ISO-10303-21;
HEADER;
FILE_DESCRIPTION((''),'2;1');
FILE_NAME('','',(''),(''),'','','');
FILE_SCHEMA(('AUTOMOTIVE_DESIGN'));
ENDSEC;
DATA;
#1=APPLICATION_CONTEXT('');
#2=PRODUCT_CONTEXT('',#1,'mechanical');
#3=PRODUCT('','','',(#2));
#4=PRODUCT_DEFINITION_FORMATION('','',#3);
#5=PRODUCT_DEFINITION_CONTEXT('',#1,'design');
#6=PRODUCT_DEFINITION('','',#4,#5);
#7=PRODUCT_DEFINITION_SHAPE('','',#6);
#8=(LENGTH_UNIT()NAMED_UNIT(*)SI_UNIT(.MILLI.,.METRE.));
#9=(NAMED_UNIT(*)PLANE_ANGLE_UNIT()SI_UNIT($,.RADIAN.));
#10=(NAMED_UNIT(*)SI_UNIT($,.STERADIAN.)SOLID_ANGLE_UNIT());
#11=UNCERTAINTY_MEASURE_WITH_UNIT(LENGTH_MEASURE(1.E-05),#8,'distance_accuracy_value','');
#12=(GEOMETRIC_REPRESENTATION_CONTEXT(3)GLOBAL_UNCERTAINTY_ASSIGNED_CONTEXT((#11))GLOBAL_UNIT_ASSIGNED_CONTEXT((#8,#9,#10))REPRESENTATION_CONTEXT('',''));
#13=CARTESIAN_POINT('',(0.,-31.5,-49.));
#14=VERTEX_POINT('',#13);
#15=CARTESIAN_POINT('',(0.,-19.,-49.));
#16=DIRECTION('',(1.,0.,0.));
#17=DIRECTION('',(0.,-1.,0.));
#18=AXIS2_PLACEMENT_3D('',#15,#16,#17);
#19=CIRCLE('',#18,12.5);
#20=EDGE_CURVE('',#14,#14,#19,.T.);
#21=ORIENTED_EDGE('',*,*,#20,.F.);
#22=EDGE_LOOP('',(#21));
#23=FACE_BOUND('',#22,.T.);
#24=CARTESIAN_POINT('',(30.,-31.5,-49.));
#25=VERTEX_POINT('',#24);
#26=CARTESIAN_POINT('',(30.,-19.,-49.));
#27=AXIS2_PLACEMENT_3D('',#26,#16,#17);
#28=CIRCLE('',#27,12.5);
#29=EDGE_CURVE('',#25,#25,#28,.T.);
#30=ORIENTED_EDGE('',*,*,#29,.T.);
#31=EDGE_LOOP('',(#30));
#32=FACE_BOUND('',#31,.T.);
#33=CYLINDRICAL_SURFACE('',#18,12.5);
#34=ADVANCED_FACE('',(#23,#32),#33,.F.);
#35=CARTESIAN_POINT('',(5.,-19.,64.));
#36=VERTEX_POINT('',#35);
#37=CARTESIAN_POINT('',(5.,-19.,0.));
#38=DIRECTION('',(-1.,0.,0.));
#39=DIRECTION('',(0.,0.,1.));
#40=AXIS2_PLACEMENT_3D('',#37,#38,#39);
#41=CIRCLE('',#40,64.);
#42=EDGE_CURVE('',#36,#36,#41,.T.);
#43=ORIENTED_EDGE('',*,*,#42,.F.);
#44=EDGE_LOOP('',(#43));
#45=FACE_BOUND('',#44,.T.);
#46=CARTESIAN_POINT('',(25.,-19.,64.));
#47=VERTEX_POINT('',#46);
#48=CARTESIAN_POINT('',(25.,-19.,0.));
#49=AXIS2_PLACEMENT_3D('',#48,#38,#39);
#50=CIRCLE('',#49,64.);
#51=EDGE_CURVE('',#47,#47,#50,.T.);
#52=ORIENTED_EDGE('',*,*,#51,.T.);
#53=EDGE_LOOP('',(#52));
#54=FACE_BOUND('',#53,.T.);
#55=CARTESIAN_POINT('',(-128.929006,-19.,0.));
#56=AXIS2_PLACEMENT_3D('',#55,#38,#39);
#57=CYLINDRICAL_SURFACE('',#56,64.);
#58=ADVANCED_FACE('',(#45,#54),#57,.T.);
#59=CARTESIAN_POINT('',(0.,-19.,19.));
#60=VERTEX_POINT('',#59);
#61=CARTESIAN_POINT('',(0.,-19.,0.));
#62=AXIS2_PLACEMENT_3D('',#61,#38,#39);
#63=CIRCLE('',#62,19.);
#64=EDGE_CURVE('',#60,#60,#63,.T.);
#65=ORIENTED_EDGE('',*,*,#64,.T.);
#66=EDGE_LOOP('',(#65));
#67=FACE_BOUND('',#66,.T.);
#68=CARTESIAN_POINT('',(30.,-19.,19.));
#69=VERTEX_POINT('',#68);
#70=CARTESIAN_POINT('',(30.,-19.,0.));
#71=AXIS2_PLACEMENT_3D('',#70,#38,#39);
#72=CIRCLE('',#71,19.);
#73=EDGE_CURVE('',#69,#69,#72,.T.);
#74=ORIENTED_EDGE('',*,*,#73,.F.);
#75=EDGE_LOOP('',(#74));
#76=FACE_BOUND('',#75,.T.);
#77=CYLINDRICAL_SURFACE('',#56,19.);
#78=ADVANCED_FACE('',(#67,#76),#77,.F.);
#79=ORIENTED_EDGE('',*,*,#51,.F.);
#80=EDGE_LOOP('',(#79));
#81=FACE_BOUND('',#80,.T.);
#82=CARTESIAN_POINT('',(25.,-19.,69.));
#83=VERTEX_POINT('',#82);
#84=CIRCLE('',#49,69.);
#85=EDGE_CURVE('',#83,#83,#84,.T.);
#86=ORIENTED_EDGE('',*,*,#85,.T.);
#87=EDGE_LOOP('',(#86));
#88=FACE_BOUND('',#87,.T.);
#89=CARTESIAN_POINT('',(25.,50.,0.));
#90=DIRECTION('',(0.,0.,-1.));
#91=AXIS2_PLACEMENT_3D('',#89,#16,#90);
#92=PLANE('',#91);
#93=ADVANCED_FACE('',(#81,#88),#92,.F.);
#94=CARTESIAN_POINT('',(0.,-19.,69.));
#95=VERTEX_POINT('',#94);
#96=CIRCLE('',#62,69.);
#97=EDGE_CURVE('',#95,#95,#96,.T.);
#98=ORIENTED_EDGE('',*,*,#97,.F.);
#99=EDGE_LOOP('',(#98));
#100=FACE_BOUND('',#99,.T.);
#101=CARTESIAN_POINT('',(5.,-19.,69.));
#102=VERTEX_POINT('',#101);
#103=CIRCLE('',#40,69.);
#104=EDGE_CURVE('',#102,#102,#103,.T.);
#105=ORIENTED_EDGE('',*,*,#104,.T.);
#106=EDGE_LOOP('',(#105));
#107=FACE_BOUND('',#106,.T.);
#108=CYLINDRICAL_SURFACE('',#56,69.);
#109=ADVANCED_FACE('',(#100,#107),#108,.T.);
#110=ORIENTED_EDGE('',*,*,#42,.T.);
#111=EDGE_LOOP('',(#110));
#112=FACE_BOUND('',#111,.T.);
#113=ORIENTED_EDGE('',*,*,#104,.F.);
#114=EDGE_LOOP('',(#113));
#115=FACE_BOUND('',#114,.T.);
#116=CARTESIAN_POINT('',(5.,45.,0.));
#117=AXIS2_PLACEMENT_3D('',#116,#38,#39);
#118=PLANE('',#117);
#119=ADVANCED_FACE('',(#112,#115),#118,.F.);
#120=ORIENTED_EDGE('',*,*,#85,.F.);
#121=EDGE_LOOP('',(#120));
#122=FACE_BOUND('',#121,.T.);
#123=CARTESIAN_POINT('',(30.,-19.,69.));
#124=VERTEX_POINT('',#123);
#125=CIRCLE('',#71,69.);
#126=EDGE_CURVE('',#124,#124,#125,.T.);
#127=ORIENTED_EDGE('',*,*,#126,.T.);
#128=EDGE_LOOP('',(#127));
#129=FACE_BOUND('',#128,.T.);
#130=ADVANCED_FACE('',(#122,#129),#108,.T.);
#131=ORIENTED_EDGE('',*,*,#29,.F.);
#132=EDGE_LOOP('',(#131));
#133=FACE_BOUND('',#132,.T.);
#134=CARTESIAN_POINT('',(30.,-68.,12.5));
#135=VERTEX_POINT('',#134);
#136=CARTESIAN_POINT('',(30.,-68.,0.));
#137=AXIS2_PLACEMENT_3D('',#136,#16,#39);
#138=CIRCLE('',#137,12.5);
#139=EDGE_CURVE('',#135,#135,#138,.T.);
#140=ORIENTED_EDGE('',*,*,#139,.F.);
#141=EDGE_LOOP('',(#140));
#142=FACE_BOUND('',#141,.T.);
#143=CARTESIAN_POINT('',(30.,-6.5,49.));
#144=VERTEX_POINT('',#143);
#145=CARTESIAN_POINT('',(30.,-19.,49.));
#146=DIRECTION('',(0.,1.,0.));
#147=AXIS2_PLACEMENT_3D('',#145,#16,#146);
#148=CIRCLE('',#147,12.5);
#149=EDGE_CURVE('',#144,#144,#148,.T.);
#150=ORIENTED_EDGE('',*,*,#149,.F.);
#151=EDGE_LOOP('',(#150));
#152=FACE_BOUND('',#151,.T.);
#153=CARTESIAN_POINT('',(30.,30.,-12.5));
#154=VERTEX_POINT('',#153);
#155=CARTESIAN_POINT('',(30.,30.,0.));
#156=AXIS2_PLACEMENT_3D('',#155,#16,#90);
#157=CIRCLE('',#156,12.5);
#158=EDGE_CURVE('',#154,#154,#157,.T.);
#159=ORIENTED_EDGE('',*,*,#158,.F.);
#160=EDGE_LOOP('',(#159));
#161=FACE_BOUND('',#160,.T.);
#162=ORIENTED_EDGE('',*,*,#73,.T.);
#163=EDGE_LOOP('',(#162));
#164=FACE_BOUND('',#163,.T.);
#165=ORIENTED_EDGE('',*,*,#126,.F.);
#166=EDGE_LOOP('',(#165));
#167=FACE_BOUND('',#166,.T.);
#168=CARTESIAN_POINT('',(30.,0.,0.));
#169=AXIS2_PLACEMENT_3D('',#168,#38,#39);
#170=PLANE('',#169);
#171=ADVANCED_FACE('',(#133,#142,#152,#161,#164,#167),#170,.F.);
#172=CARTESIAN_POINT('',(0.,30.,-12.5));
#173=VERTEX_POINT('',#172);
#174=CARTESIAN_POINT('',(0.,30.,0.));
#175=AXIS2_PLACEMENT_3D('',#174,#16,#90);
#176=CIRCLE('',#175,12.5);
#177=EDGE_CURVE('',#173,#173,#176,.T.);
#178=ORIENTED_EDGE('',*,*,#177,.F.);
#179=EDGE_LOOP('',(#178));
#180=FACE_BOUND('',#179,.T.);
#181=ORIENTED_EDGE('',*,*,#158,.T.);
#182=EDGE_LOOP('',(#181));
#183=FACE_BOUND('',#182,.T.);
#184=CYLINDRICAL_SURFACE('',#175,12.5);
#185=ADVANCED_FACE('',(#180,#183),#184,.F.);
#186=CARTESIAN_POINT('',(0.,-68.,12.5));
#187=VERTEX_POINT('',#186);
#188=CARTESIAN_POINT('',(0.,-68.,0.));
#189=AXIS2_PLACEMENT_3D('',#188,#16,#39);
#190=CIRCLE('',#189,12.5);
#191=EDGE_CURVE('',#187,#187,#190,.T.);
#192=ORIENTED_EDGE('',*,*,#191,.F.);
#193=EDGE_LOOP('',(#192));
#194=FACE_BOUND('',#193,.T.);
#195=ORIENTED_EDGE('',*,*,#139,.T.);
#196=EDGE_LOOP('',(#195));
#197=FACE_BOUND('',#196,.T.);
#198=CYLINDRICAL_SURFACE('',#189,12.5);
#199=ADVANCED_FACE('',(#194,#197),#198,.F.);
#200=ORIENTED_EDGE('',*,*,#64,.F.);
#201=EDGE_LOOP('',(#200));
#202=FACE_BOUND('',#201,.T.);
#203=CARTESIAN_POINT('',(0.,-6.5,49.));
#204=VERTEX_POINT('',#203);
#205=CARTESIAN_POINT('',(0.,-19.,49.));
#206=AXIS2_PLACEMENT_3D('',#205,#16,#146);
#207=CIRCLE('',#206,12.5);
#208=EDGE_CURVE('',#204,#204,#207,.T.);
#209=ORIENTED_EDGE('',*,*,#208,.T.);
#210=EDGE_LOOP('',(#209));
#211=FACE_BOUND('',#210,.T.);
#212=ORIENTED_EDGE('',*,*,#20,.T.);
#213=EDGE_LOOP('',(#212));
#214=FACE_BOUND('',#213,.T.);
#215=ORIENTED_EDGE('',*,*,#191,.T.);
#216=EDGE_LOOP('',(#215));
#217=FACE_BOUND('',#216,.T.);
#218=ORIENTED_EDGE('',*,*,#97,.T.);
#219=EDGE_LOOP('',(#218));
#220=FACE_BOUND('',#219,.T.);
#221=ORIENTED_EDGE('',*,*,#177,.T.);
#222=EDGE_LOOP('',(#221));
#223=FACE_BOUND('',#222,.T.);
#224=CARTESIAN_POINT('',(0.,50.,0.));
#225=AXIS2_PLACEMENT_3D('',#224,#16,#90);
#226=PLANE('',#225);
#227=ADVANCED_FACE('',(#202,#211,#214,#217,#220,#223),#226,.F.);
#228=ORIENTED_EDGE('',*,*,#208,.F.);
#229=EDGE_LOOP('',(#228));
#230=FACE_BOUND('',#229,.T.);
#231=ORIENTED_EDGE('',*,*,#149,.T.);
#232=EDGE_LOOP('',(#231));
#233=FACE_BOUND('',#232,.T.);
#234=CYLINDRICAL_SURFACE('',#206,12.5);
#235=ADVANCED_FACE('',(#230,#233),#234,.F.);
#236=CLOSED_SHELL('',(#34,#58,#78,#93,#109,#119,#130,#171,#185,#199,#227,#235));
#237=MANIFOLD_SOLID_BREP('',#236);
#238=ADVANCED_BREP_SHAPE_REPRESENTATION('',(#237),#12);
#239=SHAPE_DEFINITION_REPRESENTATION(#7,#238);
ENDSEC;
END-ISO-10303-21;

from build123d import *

# Parameters (mm, degrees)
SKETCH2_R          = 12.5
CUT_EXTRUDE1_DEPTH = 116.779963724
CIRPATTERN1_COUNT  = 4


with BuildPart() as part:
    # Sketch1 → Revolve1 (revolve)
    with BuildSketch(Plane.XY, mode=Mode.PRIVATE) as revolve1_sk:
        Polygon((0, 0), (30, 0), (30, 50), (25, 50), (25, 45), (5, 45), (5, 50), (0, 50), align=None)
    revolve(revolve1_sk.sketch.rotate(Axis((-128.92900602, -19, 0), (1, 0, 0)), 90), axis=Axis((-128.92900602, -19, 0), (1, 0, 0)))

    # Sketch2 → Cut-Extrude1 (cut, through all)
    with BuildSketch(Plane(origin=(30, 0, 0), x_dir=(0, 0, -1), z_dir=(1, 0, 0))):
        with Locations((0, 30)):
            Circle(SKETCH2_R)
    cut_extrude1 = extrude(amount=-CUT_EXTRUDE1_DEPTH, mode=Mode.SUBTRACT)

    # CirPattern1: Cut-Extrude1 ×4 about axis
    cirpattern1_axis = Axis((0, -19, 0), (1, 0, 0))
    for i in range(1, CIRPATTERN1_COUNT):
        add(cut_extrude1.rotate(cirpattern1_axis, i * 360 / CIRPATTERN1_COUNT), mode=Mode.SUBTRACT)


solid = part.part
